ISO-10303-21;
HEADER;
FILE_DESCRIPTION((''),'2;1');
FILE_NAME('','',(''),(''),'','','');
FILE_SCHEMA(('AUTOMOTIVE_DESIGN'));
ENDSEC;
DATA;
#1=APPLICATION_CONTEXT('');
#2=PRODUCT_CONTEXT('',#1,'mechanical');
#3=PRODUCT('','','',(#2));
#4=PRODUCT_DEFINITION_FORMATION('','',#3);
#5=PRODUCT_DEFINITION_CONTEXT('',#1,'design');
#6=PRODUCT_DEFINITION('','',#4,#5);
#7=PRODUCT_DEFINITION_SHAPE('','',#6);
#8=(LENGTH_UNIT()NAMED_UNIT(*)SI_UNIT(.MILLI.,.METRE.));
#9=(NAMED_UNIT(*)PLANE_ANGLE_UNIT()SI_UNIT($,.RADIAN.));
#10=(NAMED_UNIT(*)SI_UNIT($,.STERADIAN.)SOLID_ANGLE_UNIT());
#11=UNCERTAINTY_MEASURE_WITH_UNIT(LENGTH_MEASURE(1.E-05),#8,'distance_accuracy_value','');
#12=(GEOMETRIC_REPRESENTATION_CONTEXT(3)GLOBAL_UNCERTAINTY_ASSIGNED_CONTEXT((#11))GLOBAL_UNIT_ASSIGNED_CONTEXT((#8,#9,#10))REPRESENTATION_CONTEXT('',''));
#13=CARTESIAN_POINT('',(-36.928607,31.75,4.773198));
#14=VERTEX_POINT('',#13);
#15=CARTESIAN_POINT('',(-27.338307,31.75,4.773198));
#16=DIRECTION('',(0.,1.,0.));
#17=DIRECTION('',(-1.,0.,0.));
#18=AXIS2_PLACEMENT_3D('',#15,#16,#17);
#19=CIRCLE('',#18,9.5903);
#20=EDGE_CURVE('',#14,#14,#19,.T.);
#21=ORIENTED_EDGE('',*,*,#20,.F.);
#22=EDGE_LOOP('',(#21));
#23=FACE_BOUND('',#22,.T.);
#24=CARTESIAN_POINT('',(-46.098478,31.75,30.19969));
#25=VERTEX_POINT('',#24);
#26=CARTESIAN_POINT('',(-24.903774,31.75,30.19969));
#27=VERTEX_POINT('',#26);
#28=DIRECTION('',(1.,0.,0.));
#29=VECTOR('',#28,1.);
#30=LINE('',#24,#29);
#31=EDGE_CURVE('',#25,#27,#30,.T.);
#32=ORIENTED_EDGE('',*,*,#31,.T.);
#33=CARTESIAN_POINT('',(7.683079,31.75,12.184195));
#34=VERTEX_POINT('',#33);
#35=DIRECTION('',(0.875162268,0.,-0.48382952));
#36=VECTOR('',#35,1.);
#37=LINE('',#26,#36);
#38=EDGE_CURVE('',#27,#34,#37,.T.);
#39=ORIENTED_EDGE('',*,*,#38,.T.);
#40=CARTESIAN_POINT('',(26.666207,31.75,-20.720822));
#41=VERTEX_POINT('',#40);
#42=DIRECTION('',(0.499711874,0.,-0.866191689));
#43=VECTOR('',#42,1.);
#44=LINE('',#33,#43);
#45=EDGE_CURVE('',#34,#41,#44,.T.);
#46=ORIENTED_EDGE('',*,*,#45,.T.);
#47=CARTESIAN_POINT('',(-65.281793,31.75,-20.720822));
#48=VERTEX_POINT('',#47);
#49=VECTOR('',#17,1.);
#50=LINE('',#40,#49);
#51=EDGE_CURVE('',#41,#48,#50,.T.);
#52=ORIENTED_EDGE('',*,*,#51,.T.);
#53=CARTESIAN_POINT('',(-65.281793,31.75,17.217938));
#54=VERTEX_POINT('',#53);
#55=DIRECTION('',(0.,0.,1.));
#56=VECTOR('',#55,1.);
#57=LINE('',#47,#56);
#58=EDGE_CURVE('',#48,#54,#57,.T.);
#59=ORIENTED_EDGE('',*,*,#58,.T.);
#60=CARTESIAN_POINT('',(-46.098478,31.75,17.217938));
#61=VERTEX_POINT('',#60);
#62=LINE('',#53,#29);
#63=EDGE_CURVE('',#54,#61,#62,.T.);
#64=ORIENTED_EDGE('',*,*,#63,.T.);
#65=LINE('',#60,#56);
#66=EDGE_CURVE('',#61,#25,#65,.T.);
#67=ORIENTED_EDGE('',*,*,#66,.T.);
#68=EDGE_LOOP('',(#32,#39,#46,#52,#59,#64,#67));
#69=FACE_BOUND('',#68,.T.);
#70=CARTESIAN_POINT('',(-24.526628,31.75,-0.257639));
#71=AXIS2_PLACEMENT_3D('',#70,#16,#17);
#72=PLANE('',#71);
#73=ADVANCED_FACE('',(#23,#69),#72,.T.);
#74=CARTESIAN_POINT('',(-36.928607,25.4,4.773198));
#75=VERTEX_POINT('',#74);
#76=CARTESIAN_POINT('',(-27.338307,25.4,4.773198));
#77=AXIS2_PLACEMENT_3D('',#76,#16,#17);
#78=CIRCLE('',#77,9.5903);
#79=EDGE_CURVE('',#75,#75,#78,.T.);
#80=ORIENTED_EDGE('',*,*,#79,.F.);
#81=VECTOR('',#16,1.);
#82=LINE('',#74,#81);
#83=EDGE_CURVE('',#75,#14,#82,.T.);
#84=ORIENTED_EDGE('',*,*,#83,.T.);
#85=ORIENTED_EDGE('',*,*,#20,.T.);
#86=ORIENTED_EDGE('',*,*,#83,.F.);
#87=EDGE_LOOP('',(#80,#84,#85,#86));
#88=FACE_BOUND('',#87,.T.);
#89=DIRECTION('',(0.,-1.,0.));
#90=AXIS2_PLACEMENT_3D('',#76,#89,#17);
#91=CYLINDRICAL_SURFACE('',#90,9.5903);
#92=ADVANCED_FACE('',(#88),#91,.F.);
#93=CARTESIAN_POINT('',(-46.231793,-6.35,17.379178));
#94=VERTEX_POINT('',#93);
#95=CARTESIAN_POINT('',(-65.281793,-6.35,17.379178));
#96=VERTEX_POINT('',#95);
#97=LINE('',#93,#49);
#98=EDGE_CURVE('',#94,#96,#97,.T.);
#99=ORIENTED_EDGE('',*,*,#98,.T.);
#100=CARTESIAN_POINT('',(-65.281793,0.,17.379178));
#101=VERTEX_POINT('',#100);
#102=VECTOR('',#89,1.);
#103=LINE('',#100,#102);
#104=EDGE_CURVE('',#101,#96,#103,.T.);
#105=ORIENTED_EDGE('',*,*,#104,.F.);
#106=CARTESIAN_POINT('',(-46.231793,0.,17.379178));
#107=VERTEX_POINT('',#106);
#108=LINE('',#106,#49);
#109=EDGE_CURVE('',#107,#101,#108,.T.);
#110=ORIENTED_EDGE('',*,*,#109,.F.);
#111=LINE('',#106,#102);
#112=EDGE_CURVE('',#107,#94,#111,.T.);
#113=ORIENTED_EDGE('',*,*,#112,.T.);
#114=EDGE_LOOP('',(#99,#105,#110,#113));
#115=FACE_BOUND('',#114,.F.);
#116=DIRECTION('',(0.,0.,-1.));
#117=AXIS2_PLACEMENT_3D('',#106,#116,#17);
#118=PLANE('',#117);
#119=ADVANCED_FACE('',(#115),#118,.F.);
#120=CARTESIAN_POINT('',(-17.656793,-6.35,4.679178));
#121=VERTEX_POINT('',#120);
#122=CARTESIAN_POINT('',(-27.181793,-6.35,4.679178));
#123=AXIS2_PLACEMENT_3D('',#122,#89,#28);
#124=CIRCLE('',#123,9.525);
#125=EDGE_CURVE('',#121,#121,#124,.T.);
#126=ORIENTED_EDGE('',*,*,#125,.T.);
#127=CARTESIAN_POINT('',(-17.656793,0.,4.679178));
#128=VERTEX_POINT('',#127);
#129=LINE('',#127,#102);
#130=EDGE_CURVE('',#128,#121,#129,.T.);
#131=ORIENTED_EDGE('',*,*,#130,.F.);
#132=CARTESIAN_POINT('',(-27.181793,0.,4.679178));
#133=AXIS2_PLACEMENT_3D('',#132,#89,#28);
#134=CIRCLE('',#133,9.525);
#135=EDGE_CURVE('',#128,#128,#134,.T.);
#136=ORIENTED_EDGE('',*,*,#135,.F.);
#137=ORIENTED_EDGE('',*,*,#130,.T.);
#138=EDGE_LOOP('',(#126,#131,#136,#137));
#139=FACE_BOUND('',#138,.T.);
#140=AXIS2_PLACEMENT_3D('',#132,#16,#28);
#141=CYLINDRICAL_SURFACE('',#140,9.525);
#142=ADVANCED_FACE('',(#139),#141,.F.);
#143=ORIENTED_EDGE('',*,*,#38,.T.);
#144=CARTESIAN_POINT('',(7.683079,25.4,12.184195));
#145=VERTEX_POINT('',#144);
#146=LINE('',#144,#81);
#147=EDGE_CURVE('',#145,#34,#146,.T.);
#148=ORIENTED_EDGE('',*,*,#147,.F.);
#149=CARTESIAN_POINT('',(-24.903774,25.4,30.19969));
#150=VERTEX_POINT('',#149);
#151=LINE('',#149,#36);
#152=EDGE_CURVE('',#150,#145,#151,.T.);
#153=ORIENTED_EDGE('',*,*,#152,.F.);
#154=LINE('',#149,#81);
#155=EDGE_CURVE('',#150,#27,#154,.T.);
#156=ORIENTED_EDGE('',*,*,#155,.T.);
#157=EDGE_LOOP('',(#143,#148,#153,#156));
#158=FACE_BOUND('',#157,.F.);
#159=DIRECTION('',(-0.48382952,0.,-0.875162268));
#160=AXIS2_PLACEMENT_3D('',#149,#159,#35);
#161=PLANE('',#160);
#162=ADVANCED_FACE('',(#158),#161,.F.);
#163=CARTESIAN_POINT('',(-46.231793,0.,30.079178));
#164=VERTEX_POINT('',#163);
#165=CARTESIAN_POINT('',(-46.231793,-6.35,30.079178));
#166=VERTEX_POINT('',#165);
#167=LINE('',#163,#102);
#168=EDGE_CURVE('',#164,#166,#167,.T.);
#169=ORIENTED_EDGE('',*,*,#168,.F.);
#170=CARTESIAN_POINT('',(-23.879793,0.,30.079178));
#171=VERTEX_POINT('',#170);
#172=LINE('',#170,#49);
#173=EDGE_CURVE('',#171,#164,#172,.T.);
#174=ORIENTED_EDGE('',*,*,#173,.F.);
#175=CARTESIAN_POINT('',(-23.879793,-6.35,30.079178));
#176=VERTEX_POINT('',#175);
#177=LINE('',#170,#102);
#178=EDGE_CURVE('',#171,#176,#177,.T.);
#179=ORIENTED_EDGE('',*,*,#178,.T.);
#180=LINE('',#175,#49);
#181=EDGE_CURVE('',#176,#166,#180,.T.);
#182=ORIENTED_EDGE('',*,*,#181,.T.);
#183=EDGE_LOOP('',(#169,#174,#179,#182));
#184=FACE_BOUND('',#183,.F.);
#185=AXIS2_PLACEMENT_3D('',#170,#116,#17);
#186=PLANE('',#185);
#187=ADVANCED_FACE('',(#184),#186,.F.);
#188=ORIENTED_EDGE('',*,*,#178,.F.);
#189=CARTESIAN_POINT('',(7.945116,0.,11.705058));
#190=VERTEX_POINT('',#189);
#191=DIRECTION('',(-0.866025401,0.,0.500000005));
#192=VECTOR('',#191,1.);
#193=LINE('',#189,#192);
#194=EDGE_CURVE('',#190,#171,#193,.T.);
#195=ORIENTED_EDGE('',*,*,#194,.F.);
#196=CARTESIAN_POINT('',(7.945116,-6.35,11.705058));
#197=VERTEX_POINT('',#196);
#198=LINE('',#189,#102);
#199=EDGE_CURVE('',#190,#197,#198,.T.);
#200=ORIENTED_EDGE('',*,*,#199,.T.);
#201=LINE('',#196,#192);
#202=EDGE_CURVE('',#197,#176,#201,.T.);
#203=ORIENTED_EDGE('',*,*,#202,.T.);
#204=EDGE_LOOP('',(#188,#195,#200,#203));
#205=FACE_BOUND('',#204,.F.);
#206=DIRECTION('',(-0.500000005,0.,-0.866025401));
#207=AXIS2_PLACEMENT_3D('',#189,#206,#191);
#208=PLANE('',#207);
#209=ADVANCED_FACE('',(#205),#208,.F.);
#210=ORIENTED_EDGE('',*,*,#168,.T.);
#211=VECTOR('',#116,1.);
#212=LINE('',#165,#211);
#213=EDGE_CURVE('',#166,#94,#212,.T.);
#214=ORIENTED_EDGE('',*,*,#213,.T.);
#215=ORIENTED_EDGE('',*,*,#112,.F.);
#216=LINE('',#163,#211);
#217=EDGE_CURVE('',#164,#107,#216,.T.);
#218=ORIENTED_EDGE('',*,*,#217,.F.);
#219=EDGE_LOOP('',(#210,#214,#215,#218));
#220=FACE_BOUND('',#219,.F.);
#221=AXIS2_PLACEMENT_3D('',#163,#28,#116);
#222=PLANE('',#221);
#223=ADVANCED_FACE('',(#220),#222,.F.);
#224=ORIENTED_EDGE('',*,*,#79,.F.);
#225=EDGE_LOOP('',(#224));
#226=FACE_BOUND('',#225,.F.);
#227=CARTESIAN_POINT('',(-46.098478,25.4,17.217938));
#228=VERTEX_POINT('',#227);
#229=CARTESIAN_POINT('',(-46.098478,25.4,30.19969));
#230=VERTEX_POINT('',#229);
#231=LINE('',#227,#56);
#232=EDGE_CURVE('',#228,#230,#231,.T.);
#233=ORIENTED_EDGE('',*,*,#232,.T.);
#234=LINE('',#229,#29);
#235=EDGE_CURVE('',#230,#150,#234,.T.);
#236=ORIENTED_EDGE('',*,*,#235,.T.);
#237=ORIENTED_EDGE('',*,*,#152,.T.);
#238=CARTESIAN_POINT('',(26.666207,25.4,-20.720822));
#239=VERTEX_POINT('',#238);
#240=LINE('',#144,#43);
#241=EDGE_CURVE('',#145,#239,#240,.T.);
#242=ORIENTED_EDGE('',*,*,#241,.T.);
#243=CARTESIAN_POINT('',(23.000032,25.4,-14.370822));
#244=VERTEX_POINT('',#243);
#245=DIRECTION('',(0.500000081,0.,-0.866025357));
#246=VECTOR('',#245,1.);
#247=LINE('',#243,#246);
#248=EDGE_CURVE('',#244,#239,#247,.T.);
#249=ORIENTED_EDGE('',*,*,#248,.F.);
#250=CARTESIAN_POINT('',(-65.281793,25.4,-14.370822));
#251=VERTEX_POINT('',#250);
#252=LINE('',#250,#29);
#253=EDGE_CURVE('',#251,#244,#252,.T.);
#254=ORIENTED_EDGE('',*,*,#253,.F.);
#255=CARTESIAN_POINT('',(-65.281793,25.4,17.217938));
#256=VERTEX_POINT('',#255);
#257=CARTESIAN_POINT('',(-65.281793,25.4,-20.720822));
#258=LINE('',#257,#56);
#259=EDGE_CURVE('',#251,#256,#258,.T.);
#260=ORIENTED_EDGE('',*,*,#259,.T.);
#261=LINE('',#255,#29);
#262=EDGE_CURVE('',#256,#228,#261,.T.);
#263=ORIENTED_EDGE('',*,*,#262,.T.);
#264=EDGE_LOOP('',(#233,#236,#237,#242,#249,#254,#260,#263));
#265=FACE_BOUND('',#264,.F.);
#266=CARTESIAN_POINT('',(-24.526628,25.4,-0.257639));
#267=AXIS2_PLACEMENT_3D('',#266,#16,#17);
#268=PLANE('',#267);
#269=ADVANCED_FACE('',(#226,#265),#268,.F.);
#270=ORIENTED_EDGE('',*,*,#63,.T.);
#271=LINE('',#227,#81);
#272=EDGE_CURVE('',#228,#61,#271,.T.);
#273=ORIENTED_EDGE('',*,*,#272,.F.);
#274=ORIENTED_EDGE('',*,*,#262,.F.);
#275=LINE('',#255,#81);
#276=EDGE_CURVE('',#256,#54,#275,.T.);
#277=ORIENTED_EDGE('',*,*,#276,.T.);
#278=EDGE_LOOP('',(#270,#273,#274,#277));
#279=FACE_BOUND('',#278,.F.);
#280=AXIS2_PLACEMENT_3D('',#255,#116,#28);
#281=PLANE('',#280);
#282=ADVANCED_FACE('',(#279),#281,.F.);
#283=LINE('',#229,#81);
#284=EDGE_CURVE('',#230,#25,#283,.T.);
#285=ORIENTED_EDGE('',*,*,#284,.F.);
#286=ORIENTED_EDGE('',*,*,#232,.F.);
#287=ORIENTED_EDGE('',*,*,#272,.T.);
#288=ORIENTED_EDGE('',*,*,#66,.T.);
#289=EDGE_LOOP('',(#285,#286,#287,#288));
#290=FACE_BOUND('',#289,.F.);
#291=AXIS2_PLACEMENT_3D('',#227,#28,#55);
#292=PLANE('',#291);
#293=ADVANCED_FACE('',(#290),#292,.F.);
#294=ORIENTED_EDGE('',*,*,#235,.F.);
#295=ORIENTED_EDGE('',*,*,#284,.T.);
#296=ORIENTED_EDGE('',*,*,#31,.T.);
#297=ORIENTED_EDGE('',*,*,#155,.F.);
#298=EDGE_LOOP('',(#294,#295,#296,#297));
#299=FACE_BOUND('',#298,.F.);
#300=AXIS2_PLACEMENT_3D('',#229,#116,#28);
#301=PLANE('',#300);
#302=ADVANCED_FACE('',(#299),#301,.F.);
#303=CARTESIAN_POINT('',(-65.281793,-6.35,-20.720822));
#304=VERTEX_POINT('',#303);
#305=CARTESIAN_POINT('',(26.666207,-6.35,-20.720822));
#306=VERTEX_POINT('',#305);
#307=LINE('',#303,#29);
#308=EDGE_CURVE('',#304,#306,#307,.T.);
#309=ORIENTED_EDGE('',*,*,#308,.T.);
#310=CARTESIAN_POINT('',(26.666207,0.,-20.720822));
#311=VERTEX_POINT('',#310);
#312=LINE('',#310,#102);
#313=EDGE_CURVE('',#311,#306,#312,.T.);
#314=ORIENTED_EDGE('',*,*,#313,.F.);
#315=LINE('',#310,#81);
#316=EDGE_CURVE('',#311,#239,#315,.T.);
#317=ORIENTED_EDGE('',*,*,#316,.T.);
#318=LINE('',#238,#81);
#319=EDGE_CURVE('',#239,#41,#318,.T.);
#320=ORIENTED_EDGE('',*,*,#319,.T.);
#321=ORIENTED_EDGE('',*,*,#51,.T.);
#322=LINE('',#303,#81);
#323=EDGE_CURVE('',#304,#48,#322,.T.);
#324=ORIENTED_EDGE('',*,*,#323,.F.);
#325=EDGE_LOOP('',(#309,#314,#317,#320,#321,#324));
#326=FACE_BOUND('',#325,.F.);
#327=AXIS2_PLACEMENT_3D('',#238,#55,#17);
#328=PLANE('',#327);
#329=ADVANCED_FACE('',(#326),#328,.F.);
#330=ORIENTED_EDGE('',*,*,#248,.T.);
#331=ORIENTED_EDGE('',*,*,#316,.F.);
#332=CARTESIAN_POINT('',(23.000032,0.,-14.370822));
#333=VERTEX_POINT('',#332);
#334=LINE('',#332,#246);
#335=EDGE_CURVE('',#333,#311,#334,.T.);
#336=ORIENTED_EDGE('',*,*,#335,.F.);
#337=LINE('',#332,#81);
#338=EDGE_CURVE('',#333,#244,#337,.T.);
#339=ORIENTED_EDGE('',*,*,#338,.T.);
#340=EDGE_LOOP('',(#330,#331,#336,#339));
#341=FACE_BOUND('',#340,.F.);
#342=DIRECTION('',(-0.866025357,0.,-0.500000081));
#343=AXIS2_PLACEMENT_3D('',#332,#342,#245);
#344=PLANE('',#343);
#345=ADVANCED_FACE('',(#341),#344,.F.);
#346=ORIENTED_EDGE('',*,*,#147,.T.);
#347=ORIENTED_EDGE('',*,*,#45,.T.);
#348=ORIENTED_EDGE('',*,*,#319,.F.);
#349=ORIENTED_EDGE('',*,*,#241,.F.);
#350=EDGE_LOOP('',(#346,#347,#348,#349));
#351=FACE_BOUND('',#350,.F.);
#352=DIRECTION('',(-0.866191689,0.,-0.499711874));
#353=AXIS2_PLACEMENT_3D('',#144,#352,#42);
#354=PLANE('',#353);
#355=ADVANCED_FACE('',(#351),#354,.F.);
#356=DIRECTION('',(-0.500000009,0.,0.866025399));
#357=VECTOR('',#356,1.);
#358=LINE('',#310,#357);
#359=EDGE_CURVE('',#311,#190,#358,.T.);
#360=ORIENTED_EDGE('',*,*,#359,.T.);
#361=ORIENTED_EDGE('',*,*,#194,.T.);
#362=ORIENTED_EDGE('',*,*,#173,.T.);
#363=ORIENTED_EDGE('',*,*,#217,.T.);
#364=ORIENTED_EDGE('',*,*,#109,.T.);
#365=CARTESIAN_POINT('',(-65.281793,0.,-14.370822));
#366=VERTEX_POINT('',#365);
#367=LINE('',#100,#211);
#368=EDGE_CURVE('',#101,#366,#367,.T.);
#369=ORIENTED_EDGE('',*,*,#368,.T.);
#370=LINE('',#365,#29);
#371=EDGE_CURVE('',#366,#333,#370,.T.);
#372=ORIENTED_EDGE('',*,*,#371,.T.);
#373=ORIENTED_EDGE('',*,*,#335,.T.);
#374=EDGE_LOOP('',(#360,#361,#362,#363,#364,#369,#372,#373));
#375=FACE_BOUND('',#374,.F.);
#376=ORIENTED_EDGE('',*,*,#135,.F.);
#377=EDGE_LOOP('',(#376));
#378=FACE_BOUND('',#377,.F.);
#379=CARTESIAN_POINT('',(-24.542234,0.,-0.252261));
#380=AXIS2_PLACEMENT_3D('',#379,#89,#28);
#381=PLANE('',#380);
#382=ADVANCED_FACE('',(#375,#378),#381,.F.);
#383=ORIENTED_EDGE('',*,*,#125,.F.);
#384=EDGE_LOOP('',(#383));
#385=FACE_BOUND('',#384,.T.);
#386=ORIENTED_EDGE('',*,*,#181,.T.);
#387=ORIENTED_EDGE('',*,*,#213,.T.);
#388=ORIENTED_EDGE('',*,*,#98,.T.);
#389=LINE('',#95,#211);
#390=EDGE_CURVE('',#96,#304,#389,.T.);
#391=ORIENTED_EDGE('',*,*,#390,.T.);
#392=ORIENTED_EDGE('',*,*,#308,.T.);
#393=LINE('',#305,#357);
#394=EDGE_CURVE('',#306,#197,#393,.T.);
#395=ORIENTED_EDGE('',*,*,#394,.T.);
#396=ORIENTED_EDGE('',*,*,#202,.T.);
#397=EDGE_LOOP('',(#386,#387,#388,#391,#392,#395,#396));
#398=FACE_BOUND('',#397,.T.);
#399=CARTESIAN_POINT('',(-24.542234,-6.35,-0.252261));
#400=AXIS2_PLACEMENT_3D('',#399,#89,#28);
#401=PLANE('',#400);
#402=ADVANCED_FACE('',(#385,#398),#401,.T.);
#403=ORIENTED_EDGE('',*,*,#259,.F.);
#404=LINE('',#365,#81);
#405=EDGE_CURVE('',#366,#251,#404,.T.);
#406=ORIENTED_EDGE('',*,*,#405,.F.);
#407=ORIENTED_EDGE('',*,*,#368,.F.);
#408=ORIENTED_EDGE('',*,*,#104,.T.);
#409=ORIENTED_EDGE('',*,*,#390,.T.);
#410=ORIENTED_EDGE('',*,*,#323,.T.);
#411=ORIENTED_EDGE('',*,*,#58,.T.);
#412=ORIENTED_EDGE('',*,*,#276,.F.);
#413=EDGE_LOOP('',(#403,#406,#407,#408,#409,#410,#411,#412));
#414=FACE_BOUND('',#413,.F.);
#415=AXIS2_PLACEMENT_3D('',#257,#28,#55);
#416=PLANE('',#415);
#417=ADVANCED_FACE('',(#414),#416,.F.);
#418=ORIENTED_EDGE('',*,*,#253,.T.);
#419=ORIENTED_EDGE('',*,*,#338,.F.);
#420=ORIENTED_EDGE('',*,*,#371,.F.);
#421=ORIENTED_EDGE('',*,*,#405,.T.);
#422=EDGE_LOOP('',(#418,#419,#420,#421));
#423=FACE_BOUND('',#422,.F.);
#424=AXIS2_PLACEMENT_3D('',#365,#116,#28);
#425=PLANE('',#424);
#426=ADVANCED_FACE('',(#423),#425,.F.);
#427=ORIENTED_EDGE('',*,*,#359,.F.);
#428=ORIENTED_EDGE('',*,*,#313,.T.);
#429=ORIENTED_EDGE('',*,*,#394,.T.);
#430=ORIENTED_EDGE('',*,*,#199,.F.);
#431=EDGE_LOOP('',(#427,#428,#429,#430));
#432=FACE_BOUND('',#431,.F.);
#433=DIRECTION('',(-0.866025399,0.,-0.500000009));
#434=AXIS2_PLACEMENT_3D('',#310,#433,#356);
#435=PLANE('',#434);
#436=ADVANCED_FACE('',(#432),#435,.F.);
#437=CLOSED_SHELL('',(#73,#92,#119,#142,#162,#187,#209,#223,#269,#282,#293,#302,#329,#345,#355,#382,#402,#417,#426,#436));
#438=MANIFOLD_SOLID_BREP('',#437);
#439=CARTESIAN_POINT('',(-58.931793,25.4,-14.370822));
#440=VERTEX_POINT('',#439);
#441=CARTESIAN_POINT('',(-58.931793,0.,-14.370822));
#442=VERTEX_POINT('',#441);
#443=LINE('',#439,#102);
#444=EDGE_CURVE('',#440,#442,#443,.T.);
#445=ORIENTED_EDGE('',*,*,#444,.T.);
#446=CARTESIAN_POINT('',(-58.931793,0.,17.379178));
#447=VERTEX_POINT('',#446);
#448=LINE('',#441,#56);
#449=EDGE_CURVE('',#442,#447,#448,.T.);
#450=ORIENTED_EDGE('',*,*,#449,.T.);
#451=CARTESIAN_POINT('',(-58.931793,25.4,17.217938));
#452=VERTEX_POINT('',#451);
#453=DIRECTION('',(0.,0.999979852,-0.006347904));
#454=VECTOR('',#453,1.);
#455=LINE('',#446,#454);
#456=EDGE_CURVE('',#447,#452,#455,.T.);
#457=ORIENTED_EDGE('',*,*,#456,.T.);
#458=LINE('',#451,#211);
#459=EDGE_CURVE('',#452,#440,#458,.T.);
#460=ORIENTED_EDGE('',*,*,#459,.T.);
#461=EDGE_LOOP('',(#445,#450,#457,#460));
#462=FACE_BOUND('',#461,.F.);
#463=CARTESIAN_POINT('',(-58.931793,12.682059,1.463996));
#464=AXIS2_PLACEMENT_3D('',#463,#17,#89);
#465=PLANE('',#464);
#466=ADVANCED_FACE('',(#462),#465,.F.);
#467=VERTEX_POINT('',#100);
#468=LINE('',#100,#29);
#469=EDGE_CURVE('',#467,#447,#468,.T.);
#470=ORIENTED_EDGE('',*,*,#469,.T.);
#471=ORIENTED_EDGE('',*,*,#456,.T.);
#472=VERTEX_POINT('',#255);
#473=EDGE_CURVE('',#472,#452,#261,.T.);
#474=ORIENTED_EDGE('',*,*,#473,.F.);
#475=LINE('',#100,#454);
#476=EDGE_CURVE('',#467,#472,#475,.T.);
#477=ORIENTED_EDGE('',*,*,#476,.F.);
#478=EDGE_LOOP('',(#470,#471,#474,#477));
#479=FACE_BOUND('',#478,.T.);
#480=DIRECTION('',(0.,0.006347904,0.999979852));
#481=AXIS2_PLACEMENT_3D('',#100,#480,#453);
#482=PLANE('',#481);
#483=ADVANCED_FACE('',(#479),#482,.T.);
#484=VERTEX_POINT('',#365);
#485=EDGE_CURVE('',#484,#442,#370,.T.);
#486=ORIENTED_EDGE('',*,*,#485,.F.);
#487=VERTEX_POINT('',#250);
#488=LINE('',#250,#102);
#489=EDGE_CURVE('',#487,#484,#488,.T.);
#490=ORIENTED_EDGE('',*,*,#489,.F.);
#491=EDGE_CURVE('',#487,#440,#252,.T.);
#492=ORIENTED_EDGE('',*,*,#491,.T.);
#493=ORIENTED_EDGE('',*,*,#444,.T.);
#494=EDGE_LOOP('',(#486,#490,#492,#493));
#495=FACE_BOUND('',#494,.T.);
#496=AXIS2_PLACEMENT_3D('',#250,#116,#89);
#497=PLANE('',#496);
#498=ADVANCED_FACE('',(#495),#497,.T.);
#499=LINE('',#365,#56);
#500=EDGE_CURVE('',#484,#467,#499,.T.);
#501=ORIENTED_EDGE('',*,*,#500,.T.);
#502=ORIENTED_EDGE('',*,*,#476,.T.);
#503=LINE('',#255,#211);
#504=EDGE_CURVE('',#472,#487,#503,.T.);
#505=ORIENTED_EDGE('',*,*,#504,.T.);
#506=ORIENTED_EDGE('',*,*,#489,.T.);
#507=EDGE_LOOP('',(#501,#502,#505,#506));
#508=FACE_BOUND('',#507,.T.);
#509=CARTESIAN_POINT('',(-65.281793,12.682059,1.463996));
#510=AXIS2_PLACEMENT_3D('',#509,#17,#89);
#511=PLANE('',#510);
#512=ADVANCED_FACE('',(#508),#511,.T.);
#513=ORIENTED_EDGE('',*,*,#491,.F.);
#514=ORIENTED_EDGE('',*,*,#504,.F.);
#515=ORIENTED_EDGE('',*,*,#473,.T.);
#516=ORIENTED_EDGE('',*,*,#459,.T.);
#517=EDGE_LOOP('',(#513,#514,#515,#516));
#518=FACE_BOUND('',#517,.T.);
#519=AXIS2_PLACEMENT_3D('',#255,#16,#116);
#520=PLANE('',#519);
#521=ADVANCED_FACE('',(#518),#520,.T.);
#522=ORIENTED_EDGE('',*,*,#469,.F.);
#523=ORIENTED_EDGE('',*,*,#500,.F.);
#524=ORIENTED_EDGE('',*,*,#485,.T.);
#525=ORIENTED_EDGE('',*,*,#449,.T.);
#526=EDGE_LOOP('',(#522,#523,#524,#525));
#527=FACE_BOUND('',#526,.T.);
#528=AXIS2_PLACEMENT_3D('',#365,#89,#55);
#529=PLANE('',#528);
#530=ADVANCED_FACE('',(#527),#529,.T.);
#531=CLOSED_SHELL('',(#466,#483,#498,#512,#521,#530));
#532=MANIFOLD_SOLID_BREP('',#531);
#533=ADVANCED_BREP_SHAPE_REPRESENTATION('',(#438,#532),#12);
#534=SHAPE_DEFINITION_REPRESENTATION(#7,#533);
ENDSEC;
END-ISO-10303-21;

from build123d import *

# Parameters (mm, degrees)
F0_R     = 9.525
F1_DEPTH = 6.35
F3_DEPTH = 25.4
F4_R     = 9.5903
F5_DEPTH = 6.35
F7_DEPTH = 6.35


with BuildPart() as f1:
    # F0 (on Front) → F1 (new body)
    with BuildSketch(Plane.XZ):
        Polygon((-65.281793, 17.379178), (-65.281793, -20.720822), (26.666207, -20.720822), (7.945116, 11.705058), (-23.879793, 30.079178), (-46.231793, 30.079178), (-46.231793, 17.379178), align=None)
        with Locations((-27.181793, 4.679178)):
            Circle(F0_R, mode=Mode.SUBTRACT)
    extrude(amount=F1_DEPTH)

    # F2 (on face) → F3 (join)
    with BuildSketch(Plane(origin=(0, 0, 0), x_dir=(-1, 0, 0), z_dir=(0, 1, 0))):
        Polygon((-23.000032, -14.370822), (-26.666207, -20.720822), (65.281793, -20.720822), (65.281793, -14.370822), align=None)
    extrude(amount=F3_DEPTH)

    # F4 (on face) → F5 (join)
    with BuildSketch(Plane(origin=(0, 25.4, 0), x_dir=(-1, 0, 0), z_dir=(0, 1, 0))):
        Polygon((-7.683079, 12.184195), (-26.666207, -20.720822), (65.281793, -20.720822), (65.281793, 17.217938), (46.098478, 17.217938), (46.098478, 30.19969), (24.903774, 30.19969), align=None)
        with Locations((27.338307, 4.773198)):
            Circle(F4_R, mode=Mode.SUBTRACT)
    extrude(amount=F5_DEPTH)


with BuildPart() as f7:
    # F6 (on face) → F7 (new body)
    with BuildSketch(Plane(origin=(-65.281793, 0, 0), x_dir=(0, -1, 0), z_dir=(-1, 0, 0))):
        Polygon((0, 17.379178), (-25.4, 17.217938), (-25.4, -14.370822), (0, -14.370822), align=None)
    extrude(amount=-F7_DEPTH)


solid = Compound([f1.part, f7.part])
